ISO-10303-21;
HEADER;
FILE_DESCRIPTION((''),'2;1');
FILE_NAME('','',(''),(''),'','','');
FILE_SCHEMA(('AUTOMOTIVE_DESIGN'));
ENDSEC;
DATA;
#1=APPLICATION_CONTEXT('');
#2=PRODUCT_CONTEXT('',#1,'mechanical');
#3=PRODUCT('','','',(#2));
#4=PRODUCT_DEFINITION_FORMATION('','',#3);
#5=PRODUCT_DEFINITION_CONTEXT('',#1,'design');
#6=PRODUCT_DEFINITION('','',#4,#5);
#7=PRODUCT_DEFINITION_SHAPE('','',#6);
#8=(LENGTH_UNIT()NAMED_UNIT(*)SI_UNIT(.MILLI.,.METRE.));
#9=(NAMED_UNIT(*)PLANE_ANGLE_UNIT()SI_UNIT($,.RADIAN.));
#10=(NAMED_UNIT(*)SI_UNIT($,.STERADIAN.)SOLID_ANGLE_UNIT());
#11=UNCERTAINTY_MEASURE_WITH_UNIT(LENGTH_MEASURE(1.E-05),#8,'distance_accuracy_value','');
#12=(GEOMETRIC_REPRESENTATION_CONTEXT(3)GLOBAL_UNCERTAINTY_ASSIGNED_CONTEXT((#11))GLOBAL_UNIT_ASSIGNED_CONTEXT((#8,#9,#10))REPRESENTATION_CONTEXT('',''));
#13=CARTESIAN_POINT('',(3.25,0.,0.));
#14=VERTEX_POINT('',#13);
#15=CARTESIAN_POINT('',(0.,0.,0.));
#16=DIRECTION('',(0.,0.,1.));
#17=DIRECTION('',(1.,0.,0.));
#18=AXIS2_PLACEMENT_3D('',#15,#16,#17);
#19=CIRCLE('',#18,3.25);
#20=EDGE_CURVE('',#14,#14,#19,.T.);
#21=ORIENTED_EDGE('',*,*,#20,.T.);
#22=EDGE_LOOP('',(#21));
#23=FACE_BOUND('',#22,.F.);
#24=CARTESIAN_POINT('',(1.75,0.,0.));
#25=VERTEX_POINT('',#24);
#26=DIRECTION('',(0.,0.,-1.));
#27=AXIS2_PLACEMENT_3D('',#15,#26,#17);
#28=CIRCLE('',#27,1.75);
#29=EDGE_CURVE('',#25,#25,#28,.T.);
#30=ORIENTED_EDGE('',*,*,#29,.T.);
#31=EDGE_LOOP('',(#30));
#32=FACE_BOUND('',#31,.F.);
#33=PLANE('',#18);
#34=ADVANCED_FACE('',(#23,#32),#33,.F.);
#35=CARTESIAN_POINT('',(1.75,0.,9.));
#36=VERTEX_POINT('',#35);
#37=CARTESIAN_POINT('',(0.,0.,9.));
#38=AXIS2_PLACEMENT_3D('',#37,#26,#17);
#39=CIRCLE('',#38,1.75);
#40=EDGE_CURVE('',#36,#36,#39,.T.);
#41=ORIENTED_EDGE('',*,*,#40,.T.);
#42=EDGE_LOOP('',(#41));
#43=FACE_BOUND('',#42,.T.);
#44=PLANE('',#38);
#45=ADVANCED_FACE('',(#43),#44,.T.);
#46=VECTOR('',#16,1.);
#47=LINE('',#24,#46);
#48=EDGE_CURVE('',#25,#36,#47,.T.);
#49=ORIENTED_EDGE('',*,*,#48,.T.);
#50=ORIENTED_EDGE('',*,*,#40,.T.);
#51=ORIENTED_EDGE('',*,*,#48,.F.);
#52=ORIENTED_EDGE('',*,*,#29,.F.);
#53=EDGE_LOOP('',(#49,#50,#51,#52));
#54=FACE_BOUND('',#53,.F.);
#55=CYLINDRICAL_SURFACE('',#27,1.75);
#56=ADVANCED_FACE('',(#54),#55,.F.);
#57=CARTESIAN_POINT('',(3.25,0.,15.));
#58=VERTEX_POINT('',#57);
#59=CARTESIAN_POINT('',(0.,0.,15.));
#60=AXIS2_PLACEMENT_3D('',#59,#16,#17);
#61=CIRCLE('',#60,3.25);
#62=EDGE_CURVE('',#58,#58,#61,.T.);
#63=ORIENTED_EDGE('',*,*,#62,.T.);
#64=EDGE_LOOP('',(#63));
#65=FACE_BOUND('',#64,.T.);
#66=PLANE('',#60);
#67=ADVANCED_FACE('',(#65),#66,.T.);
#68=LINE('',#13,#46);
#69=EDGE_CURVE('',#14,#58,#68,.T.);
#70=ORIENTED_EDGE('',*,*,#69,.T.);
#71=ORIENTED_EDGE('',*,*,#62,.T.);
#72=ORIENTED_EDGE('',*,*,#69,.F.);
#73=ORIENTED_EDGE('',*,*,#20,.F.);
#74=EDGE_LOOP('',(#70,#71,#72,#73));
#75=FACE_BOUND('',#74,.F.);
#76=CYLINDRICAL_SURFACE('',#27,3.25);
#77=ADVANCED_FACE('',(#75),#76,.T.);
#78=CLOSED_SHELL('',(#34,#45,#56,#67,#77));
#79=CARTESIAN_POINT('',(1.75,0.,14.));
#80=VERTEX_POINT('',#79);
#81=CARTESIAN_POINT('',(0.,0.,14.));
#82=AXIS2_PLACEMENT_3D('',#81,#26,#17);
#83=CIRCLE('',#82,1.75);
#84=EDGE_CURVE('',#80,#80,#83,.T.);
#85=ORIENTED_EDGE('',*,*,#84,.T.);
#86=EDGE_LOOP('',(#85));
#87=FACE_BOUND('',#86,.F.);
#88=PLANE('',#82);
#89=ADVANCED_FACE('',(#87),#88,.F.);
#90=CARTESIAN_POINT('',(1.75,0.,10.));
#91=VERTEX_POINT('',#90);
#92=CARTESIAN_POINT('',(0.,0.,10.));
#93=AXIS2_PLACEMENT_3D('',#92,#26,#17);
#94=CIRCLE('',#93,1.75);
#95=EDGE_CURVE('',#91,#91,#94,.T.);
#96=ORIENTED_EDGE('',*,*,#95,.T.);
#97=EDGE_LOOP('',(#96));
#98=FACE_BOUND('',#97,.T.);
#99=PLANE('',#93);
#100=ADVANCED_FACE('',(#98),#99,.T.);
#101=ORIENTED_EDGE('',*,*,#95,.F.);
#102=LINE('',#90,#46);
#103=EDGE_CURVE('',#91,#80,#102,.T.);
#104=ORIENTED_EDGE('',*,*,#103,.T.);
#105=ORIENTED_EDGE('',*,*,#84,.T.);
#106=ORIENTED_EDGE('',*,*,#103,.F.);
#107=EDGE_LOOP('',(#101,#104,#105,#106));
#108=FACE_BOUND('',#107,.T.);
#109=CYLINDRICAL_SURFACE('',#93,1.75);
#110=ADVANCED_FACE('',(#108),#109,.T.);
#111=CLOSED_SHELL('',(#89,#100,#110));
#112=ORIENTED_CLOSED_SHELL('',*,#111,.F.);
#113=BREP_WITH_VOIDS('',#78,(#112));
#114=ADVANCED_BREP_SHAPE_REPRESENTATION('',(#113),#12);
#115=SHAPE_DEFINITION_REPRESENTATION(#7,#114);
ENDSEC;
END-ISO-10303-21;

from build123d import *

# Parameters (mm, degrees)
F0_R     = 3.25
F1_DEPTH = 15
F2_R     = 1.75
F3_DEPTH = 9
F5_R     = 1.75
F6_DEPTH = 4


with BuildPart() as f1:
    # F0 (on Top) → F1 (new body)
    with BuildSketch(Plane.XY):
        Circle(F0_R)
    extrude(amount=F1_DEPTH)

    # F2 (on face) → F3 (cut)
    with BuildSketch(Plane(origin=(0, 0, 0), x_dir=(1, 0, 0), z_dir=(0, 0, -1))):
        Circle(F2_R)
    extrude(amount=-F3_DEPTH, mode=Mode.SUBTRACT)

    # F5 (on offset) → F6 (cut)
    with BuildSketch(Plane(origin=(0, 0, 10), x_dir=(1, 0, 0), z_dir=(0, 0, -1))):
        Circle(F5_R)
    extrude(amount=-F6_DEPTH, mode=Mode.SUBTRACT)


solid = f1.part
